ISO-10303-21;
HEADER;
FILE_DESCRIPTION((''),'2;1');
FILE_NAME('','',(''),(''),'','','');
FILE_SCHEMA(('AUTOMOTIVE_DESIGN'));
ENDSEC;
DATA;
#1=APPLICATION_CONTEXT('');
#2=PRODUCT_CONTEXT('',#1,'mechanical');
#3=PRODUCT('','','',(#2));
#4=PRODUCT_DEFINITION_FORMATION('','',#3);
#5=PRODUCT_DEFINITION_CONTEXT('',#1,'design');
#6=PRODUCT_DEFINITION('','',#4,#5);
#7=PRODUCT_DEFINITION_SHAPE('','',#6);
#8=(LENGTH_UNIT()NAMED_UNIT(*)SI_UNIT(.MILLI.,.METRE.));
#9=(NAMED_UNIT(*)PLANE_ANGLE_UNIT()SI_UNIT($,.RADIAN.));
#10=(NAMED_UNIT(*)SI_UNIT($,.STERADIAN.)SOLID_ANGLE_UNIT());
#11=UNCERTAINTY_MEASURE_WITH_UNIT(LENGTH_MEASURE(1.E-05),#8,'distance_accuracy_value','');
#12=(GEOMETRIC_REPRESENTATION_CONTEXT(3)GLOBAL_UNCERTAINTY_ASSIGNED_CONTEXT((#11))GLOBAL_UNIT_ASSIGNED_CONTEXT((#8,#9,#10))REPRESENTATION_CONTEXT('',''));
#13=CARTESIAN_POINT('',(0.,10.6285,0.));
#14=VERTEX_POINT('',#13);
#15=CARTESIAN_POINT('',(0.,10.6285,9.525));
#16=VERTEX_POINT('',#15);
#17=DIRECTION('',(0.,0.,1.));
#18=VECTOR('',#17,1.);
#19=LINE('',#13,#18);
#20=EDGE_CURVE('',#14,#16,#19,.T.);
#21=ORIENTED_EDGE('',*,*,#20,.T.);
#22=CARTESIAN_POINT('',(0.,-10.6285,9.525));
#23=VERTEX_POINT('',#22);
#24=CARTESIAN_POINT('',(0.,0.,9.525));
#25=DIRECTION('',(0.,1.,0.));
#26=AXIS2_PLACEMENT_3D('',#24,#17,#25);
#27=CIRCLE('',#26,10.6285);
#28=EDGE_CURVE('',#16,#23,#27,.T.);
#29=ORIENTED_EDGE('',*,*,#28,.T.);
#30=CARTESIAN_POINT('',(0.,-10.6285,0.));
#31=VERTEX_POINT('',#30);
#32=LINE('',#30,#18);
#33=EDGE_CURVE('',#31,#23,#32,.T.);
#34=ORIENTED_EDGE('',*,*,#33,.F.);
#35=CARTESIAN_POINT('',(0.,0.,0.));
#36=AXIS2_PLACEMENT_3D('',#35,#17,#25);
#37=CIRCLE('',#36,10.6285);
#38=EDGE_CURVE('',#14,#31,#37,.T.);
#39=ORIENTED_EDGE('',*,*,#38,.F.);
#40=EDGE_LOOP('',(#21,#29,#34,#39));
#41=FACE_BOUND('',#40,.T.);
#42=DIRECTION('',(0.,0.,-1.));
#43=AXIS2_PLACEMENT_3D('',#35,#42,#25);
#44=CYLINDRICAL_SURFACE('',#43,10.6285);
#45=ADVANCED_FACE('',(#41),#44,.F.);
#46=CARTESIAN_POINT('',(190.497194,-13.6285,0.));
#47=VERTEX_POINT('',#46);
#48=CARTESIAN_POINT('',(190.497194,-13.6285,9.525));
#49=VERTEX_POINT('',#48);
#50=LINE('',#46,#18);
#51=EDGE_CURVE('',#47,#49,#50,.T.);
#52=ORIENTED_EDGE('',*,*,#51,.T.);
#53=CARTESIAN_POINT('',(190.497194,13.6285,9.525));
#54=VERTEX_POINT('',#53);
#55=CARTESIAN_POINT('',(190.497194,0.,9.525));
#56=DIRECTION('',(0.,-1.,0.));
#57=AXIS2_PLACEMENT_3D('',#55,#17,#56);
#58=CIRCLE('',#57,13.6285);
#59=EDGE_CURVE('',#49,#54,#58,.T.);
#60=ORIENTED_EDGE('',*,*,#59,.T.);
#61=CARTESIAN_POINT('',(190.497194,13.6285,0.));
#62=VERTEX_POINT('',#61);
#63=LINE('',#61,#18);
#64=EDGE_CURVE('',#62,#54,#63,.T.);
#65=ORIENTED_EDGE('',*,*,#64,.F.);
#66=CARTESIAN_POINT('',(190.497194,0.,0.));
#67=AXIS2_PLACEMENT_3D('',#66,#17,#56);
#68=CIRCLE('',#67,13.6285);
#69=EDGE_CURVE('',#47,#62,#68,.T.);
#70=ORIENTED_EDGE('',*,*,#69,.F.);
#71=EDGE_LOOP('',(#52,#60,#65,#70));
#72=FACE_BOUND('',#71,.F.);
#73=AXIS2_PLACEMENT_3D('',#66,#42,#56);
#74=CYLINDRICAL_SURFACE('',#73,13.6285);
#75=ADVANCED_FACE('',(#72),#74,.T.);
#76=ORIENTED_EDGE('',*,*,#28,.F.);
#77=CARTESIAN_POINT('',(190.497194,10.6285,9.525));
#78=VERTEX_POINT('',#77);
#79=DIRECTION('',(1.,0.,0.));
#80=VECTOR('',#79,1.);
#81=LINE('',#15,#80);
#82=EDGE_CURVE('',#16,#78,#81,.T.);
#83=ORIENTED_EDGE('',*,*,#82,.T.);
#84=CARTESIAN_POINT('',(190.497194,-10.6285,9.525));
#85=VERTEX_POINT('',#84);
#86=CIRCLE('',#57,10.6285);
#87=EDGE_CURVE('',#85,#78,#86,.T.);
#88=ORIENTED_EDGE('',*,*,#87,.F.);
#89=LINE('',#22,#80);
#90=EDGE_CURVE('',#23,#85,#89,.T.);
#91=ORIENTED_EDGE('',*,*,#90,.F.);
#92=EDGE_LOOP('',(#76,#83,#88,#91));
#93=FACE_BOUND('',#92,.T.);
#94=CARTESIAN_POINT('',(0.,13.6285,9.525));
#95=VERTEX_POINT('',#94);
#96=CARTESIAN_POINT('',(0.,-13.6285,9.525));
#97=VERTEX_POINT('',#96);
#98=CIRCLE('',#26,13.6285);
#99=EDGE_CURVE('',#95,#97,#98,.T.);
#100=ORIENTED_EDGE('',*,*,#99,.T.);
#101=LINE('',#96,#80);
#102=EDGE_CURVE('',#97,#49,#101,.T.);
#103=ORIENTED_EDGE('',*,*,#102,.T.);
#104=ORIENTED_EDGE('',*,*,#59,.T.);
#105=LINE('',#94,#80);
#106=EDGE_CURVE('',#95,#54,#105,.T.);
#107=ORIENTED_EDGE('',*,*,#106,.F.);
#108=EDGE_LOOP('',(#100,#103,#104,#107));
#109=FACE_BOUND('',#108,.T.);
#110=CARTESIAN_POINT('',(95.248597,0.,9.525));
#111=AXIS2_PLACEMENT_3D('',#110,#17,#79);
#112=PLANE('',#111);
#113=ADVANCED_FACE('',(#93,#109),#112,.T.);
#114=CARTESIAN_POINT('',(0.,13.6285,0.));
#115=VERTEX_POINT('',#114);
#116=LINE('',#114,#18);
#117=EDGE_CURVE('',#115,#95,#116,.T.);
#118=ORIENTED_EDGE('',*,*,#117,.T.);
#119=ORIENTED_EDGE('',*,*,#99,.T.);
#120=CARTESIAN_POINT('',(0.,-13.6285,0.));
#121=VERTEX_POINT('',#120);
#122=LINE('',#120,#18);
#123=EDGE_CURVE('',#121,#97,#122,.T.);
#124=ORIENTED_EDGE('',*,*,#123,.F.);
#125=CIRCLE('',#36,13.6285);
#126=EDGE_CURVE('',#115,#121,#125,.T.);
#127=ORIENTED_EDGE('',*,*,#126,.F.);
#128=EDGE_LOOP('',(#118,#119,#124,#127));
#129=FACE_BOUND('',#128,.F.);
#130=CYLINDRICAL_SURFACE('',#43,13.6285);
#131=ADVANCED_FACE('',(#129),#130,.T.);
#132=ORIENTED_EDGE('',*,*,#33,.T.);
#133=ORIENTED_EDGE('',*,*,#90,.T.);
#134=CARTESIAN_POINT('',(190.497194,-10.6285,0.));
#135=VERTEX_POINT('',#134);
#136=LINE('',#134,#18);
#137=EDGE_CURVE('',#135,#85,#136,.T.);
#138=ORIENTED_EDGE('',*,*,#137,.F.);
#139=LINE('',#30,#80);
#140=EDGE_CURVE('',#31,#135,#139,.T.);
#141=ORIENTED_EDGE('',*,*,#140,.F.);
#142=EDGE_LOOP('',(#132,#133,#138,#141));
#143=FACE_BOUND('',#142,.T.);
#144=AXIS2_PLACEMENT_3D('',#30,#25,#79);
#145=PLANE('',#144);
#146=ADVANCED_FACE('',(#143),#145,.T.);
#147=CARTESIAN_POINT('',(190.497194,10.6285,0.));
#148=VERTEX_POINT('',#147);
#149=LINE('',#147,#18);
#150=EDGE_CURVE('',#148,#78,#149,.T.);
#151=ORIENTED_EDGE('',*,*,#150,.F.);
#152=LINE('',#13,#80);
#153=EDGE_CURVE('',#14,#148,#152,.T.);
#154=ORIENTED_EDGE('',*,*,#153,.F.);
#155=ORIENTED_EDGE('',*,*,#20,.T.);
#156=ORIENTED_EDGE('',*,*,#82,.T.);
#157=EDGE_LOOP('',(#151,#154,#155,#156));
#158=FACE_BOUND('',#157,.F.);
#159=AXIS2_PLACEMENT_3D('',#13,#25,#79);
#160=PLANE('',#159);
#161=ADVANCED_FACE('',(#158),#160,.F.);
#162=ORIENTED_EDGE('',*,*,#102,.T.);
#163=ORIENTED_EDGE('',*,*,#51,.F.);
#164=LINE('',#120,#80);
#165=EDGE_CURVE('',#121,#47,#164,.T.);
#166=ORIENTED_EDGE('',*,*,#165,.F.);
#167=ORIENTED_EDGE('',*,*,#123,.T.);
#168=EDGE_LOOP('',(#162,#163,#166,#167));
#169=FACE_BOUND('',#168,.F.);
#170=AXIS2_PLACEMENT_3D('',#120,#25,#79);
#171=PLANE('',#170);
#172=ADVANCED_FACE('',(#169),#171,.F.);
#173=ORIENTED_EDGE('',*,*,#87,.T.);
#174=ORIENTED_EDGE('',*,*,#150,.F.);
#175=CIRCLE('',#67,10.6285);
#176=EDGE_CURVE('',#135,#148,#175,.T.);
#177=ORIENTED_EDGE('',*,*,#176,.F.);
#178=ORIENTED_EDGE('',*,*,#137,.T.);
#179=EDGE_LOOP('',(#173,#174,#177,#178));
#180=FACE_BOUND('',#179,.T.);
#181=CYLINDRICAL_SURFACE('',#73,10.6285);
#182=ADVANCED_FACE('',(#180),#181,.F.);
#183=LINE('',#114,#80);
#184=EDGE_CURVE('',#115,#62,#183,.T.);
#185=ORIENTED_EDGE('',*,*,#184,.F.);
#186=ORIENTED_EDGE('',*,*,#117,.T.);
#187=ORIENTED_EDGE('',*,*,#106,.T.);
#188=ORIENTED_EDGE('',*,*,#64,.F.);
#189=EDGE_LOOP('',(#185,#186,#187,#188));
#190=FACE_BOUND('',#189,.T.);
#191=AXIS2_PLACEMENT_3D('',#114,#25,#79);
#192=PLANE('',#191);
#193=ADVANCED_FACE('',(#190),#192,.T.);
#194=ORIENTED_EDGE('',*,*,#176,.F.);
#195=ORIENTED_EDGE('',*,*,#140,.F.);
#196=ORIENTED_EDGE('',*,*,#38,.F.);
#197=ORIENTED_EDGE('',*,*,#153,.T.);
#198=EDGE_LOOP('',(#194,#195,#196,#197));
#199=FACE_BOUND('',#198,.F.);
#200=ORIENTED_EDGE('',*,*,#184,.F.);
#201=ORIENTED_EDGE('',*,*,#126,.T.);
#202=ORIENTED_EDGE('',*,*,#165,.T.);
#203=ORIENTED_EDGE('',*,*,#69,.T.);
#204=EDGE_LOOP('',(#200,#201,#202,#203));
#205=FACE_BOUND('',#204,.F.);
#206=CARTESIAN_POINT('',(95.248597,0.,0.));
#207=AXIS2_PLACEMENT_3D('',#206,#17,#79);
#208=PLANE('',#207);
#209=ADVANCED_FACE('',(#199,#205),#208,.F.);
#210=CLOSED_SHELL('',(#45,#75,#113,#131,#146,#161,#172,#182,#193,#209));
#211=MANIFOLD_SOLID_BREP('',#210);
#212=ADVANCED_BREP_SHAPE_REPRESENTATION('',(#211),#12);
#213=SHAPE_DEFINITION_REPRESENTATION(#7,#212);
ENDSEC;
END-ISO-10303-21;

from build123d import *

# Parameters (mm, degrees)
PAD_DEPTH = 9.525


with BuildPart() as part:
    # Sketch → Pad (new body)
    with BuildSketch(Plane.XY):
        with BuildLine():
            ThreePointArc((0, 13.6285), (-13.6285, 0), (0, -13.6285))
            Line((0, -13.6285), (190.497194, -13.6285))
            ThreePointArc((190.497194, -13.6285), (204.125694, 0), (190.497194, 13.6285))
            Line((0, 13.6285), (190.497194, 13.6285))
        make_face()
        with BuildLine():
            ThreePointArc((0, 10.6285), (-10.6285, 0), (0, -10.6285))
            Line((0, -10.6285), (190.497194, -10.6285))
            ThreePointArc((190.497194, -10.6285), (201.125694, 0), (190.497194, 10.6285))
            Line((0, 10.6285), (190.497194, 10.6285))
        make_face(mode=Mode.SUBTRACT)
    extrude(amount=PAD_DEPTH)


solid = part.part
